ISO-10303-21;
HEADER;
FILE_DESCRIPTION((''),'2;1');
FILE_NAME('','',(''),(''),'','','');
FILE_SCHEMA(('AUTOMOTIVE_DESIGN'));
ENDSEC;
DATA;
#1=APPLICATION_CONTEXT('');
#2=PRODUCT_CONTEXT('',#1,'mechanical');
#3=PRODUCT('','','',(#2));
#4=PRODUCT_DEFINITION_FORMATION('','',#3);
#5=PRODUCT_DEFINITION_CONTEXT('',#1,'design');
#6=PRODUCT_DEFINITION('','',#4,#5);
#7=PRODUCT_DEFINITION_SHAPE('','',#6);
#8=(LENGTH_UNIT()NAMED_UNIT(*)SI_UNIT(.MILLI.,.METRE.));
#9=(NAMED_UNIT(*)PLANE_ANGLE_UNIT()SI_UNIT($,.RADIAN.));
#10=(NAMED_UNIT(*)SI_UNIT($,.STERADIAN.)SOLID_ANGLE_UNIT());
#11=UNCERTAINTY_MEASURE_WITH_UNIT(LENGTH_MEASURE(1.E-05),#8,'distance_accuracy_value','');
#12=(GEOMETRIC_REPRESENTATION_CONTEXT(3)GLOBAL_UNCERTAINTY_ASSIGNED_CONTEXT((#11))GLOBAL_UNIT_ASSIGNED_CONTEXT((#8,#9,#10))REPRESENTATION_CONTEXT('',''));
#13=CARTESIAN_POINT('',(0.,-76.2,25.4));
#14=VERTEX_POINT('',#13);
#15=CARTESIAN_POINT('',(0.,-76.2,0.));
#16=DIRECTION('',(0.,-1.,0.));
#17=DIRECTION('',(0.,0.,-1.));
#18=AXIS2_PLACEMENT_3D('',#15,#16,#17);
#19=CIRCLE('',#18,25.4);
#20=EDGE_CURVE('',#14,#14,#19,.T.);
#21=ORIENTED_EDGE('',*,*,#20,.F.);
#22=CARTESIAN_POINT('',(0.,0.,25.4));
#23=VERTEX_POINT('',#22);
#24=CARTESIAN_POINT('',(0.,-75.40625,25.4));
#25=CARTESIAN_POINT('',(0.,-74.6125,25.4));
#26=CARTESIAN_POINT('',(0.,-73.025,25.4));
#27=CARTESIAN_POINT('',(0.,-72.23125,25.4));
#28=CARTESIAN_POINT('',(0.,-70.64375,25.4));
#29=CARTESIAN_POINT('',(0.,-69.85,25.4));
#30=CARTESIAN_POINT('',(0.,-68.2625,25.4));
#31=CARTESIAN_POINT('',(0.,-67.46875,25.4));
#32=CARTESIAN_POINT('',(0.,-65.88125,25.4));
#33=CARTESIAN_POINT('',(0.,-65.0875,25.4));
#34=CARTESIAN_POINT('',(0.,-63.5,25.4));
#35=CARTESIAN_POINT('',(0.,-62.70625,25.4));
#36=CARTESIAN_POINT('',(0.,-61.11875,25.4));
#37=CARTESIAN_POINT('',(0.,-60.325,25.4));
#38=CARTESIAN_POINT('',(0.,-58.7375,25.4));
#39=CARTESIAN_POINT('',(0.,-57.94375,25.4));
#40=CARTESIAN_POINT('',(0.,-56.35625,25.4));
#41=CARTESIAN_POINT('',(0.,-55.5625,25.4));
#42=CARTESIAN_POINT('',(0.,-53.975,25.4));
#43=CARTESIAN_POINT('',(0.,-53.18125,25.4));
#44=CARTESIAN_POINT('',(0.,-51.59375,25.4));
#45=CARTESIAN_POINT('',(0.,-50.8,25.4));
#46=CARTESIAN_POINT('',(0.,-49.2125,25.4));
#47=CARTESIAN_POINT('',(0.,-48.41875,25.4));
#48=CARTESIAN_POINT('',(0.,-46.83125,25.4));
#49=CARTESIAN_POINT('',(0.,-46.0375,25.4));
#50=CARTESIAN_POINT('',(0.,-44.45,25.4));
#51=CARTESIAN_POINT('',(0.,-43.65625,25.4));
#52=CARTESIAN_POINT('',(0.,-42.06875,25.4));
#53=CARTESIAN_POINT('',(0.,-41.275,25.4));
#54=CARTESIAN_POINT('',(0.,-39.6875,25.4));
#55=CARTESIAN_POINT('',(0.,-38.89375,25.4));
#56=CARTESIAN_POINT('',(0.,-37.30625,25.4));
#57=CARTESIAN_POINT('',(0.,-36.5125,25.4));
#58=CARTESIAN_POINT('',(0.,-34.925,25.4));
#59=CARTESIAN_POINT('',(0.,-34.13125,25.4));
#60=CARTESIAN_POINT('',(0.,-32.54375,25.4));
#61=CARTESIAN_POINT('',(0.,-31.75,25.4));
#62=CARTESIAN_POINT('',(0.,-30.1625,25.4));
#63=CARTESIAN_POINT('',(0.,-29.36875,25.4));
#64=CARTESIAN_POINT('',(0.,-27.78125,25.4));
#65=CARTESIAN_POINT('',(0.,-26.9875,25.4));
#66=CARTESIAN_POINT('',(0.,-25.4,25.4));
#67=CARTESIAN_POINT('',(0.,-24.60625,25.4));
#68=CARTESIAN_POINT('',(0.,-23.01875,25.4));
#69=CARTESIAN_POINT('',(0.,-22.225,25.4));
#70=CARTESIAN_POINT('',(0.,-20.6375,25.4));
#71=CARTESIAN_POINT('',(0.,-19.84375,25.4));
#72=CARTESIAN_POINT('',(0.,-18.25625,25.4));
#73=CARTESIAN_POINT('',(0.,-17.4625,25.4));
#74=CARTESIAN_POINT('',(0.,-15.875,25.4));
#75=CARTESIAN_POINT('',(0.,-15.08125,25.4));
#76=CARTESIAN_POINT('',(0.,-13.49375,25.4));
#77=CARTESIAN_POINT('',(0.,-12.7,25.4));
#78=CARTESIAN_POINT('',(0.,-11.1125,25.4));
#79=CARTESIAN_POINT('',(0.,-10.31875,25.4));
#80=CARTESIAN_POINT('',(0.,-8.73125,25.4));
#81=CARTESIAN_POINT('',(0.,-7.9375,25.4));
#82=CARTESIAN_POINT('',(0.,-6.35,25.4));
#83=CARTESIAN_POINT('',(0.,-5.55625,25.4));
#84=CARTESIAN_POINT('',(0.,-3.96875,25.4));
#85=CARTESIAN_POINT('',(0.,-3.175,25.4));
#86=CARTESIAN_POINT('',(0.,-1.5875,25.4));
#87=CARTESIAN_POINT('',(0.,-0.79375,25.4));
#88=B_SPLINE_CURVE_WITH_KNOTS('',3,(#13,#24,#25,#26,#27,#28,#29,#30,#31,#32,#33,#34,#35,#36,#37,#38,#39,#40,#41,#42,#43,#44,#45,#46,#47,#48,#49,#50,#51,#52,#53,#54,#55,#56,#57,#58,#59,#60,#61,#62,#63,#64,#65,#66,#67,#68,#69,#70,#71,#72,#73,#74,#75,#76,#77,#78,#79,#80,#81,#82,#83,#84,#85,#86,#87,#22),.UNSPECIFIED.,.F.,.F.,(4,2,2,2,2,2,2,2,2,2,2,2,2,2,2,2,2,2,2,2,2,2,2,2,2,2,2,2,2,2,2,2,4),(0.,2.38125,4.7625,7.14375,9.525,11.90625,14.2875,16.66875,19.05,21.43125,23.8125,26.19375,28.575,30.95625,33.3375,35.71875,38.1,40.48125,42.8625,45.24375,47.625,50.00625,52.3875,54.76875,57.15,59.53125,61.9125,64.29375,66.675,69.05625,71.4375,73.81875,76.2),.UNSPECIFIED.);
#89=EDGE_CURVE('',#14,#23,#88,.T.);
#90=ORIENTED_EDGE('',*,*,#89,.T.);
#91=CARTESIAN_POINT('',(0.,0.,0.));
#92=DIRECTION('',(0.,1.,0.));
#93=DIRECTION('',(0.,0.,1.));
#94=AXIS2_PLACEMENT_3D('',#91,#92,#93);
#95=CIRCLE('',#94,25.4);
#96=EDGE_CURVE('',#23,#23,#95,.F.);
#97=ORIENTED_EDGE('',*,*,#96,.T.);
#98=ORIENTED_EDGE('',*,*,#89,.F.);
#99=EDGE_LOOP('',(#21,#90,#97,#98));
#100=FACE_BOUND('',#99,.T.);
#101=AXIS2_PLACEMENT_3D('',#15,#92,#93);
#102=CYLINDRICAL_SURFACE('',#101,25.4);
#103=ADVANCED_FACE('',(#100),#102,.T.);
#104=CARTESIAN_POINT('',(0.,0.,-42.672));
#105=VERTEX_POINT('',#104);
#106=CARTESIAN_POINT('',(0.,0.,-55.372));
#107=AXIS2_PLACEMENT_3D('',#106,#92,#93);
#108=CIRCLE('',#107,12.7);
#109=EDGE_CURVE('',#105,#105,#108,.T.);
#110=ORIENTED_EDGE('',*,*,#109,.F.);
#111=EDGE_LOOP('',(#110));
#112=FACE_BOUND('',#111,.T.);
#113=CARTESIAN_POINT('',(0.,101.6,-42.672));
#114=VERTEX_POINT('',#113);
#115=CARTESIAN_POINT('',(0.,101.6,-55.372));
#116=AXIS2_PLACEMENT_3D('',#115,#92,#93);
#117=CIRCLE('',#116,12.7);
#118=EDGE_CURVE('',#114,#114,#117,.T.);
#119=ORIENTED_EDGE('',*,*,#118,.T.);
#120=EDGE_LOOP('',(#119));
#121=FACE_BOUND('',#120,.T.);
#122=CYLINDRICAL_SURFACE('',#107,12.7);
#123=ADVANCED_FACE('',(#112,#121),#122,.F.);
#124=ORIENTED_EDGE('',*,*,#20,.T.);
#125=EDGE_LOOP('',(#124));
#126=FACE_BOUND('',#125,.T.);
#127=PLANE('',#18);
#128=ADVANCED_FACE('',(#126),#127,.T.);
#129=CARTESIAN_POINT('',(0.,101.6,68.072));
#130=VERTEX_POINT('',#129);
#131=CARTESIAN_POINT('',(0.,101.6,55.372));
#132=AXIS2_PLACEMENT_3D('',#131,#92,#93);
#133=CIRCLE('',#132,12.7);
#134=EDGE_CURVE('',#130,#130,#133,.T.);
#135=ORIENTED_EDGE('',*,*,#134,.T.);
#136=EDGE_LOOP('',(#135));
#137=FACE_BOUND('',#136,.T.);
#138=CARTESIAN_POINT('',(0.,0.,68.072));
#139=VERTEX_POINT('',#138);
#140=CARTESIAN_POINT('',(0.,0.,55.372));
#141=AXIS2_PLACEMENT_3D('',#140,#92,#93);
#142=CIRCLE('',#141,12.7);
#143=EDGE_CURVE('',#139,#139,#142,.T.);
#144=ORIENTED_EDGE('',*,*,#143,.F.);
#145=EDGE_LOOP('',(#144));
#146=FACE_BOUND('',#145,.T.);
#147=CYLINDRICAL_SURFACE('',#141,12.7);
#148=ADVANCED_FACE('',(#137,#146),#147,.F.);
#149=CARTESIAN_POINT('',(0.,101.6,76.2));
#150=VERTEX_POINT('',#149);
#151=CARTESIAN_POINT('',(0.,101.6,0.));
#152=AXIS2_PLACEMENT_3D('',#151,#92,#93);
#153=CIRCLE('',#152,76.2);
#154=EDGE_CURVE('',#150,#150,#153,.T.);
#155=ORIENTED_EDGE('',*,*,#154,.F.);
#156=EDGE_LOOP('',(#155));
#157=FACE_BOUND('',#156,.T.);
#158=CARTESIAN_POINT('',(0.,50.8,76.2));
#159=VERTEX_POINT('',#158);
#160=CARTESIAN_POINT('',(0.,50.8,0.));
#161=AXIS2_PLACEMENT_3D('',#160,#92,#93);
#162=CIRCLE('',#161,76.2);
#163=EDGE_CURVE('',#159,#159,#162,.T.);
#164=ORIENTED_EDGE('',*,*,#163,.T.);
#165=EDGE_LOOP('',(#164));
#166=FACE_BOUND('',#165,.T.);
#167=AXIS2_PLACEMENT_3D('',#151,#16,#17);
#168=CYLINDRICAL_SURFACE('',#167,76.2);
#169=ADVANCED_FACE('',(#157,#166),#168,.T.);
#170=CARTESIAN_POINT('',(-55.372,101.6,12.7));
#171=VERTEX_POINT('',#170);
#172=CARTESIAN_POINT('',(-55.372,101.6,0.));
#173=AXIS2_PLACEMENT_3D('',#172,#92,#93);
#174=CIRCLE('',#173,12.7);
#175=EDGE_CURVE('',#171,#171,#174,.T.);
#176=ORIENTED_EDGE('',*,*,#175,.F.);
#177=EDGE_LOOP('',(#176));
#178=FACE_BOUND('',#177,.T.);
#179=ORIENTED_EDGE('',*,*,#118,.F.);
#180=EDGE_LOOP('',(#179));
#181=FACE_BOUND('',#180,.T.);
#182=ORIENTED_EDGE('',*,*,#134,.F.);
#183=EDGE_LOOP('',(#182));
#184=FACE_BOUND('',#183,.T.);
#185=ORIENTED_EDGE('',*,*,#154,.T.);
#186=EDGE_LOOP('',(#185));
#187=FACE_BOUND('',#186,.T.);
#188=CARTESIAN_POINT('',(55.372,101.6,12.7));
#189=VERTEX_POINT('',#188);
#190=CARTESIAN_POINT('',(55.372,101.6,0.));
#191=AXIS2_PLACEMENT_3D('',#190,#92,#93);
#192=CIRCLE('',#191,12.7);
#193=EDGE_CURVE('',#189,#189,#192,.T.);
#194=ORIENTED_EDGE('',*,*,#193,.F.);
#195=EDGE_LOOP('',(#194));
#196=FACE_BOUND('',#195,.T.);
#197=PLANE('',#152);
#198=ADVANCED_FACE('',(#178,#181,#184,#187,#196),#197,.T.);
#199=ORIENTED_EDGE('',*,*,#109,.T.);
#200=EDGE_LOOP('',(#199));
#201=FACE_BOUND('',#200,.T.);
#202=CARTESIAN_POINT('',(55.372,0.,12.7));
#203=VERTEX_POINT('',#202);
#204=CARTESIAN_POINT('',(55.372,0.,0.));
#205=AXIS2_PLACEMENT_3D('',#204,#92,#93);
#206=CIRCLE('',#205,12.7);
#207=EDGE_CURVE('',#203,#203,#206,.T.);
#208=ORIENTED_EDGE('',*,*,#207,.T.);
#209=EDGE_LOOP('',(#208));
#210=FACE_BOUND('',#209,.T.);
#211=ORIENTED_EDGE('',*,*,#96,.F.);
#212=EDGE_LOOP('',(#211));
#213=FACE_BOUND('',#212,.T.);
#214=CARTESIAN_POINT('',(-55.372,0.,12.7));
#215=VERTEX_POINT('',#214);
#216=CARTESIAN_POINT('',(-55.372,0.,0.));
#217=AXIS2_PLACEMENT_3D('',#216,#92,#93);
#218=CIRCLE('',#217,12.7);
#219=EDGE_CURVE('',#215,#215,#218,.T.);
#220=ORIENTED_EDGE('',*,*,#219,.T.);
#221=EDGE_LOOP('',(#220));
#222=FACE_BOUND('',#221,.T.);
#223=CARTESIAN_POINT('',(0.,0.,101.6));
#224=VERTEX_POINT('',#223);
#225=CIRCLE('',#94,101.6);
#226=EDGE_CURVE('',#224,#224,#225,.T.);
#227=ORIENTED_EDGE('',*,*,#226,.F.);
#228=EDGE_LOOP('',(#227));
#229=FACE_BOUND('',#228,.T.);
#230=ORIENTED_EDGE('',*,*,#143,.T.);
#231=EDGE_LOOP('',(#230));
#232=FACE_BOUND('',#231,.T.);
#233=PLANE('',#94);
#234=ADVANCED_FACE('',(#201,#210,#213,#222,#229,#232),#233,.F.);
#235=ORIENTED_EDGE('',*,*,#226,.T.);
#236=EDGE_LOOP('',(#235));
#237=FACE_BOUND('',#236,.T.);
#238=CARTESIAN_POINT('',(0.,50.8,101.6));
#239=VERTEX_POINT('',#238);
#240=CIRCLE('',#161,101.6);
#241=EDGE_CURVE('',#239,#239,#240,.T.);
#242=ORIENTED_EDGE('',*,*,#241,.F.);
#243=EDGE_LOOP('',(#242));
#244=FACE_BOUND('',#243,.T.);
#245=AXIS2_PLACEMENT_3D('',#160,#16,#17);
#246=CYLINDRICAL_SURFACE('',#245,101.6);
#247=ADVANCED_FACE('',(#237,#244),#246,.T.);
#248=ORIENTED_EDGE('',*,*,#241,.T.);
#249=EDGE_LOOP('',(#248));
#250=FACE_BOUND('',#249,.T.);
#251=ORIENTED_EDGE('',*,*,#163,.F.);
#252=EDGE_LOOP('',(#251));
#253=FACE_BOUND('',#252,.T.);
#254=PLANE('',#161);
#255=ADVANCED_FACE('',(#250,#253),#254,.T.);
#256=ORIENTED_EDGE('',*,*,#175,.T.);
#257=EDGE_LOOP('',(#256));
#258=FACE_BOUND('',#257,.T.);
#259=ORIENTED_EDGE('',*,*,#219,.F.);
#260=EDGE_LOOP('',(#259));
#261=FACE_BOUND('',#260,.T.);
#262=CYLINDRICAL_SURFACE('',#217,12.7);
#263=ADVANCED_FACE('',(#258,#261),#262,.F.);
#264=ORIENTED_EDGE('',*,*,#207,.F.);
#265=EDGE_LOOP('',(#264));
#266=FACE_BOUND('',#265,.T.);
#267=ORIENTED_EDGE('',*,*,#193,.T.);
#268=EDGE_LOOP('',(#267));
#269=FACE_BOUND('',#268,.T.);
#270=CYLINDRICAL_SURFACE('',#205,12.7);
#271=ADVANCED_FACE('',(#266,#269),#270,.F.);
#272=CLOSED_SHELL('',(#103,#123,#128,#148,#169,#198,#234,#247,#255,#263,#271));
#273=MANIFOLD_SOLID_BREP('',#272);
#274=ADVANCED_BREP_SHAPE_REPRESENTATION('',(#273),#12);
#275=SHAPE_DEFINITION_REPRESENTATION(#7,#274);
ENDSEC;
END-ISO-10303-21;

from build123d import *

# Parameters (mm, degrees)
SKETCH1_R           = 101.6
BOSS_EXTRUDE1_DEPTH = 50.8
SKETCH2_R           = 76.2
BOSS_EXTRUDE2_DEPTH = 50.8
SKETCH3_R           = 12.7
CUT_EXTRUDE1_DEPTH  = 176.976362049
SKETCH4_R           = 25.4
BOSS_EXTRUDE3_DEPTH = 76.2


with BuildPart() as part:
    # Sketch1 → Boss-Extrude1 (new body)
    with BuildSketch(Plane(origin=(0, 0, 0), x_dir=(1, 0, 0), z_dir=(0, 1, 0))):
        with Locations(Location((0, 0, 0), (0, 0, 270))):
            Circle(SKETCH1_R)
    extrude(amount=BOSS_EXTRUDE1_DEPTH)

    # Sketch2 → Boss-Extrude2 (add)
    with BuildSketch(Plane(origin=(0, 50.8, 0), x_dir=(1, 0, 0), z_dir=(0, 1, 0))):
        with Locations(Location((0, 0, 0), (0, 0, 270))):
            Circle(SKETCH2_R)
    extrude(amount=BOSS_EXTRUDE2_DEPTH)

    # Sketch3 → Cut-Extrude1 (cut, through all)
    with BuildSketch(Plane(origin=(0, 101.6, 0), x_dir=(1, 0, 0), z_dir=(0, 1, 0))):
        with Locations(Location((0, 55.372, 0), (0, 0, 270))):
            Circle(SKETCH3_R)
        with Locations(Location((-55.372, 0, 0), (0, 0, 270))):
            Circle(SKETCH3_R)
        with Locations(Location((0, -55.372, 0), (0, 0, 270))):
            Circle(SKETCH3_R)
        with Locations(Location((55.372, 0, 0), (0, 0, 270))):
            Circle(SKETCH3_R)
    extrude(amount=-CUT_EXTRUDE1_DEPTH, mode=Mode.SUBTRACT)

    # Sketch4 → Boss-Extrude3 (add)
    with BuildSketch(Plane.XZ):
        with Locations(Location((0, 0, 0), (0, 0, 90))):
            Circle(SKETCH4_R)
    extrude(amount=BOSS_EXTRUDE3_DEPTH)


solid = part.part
